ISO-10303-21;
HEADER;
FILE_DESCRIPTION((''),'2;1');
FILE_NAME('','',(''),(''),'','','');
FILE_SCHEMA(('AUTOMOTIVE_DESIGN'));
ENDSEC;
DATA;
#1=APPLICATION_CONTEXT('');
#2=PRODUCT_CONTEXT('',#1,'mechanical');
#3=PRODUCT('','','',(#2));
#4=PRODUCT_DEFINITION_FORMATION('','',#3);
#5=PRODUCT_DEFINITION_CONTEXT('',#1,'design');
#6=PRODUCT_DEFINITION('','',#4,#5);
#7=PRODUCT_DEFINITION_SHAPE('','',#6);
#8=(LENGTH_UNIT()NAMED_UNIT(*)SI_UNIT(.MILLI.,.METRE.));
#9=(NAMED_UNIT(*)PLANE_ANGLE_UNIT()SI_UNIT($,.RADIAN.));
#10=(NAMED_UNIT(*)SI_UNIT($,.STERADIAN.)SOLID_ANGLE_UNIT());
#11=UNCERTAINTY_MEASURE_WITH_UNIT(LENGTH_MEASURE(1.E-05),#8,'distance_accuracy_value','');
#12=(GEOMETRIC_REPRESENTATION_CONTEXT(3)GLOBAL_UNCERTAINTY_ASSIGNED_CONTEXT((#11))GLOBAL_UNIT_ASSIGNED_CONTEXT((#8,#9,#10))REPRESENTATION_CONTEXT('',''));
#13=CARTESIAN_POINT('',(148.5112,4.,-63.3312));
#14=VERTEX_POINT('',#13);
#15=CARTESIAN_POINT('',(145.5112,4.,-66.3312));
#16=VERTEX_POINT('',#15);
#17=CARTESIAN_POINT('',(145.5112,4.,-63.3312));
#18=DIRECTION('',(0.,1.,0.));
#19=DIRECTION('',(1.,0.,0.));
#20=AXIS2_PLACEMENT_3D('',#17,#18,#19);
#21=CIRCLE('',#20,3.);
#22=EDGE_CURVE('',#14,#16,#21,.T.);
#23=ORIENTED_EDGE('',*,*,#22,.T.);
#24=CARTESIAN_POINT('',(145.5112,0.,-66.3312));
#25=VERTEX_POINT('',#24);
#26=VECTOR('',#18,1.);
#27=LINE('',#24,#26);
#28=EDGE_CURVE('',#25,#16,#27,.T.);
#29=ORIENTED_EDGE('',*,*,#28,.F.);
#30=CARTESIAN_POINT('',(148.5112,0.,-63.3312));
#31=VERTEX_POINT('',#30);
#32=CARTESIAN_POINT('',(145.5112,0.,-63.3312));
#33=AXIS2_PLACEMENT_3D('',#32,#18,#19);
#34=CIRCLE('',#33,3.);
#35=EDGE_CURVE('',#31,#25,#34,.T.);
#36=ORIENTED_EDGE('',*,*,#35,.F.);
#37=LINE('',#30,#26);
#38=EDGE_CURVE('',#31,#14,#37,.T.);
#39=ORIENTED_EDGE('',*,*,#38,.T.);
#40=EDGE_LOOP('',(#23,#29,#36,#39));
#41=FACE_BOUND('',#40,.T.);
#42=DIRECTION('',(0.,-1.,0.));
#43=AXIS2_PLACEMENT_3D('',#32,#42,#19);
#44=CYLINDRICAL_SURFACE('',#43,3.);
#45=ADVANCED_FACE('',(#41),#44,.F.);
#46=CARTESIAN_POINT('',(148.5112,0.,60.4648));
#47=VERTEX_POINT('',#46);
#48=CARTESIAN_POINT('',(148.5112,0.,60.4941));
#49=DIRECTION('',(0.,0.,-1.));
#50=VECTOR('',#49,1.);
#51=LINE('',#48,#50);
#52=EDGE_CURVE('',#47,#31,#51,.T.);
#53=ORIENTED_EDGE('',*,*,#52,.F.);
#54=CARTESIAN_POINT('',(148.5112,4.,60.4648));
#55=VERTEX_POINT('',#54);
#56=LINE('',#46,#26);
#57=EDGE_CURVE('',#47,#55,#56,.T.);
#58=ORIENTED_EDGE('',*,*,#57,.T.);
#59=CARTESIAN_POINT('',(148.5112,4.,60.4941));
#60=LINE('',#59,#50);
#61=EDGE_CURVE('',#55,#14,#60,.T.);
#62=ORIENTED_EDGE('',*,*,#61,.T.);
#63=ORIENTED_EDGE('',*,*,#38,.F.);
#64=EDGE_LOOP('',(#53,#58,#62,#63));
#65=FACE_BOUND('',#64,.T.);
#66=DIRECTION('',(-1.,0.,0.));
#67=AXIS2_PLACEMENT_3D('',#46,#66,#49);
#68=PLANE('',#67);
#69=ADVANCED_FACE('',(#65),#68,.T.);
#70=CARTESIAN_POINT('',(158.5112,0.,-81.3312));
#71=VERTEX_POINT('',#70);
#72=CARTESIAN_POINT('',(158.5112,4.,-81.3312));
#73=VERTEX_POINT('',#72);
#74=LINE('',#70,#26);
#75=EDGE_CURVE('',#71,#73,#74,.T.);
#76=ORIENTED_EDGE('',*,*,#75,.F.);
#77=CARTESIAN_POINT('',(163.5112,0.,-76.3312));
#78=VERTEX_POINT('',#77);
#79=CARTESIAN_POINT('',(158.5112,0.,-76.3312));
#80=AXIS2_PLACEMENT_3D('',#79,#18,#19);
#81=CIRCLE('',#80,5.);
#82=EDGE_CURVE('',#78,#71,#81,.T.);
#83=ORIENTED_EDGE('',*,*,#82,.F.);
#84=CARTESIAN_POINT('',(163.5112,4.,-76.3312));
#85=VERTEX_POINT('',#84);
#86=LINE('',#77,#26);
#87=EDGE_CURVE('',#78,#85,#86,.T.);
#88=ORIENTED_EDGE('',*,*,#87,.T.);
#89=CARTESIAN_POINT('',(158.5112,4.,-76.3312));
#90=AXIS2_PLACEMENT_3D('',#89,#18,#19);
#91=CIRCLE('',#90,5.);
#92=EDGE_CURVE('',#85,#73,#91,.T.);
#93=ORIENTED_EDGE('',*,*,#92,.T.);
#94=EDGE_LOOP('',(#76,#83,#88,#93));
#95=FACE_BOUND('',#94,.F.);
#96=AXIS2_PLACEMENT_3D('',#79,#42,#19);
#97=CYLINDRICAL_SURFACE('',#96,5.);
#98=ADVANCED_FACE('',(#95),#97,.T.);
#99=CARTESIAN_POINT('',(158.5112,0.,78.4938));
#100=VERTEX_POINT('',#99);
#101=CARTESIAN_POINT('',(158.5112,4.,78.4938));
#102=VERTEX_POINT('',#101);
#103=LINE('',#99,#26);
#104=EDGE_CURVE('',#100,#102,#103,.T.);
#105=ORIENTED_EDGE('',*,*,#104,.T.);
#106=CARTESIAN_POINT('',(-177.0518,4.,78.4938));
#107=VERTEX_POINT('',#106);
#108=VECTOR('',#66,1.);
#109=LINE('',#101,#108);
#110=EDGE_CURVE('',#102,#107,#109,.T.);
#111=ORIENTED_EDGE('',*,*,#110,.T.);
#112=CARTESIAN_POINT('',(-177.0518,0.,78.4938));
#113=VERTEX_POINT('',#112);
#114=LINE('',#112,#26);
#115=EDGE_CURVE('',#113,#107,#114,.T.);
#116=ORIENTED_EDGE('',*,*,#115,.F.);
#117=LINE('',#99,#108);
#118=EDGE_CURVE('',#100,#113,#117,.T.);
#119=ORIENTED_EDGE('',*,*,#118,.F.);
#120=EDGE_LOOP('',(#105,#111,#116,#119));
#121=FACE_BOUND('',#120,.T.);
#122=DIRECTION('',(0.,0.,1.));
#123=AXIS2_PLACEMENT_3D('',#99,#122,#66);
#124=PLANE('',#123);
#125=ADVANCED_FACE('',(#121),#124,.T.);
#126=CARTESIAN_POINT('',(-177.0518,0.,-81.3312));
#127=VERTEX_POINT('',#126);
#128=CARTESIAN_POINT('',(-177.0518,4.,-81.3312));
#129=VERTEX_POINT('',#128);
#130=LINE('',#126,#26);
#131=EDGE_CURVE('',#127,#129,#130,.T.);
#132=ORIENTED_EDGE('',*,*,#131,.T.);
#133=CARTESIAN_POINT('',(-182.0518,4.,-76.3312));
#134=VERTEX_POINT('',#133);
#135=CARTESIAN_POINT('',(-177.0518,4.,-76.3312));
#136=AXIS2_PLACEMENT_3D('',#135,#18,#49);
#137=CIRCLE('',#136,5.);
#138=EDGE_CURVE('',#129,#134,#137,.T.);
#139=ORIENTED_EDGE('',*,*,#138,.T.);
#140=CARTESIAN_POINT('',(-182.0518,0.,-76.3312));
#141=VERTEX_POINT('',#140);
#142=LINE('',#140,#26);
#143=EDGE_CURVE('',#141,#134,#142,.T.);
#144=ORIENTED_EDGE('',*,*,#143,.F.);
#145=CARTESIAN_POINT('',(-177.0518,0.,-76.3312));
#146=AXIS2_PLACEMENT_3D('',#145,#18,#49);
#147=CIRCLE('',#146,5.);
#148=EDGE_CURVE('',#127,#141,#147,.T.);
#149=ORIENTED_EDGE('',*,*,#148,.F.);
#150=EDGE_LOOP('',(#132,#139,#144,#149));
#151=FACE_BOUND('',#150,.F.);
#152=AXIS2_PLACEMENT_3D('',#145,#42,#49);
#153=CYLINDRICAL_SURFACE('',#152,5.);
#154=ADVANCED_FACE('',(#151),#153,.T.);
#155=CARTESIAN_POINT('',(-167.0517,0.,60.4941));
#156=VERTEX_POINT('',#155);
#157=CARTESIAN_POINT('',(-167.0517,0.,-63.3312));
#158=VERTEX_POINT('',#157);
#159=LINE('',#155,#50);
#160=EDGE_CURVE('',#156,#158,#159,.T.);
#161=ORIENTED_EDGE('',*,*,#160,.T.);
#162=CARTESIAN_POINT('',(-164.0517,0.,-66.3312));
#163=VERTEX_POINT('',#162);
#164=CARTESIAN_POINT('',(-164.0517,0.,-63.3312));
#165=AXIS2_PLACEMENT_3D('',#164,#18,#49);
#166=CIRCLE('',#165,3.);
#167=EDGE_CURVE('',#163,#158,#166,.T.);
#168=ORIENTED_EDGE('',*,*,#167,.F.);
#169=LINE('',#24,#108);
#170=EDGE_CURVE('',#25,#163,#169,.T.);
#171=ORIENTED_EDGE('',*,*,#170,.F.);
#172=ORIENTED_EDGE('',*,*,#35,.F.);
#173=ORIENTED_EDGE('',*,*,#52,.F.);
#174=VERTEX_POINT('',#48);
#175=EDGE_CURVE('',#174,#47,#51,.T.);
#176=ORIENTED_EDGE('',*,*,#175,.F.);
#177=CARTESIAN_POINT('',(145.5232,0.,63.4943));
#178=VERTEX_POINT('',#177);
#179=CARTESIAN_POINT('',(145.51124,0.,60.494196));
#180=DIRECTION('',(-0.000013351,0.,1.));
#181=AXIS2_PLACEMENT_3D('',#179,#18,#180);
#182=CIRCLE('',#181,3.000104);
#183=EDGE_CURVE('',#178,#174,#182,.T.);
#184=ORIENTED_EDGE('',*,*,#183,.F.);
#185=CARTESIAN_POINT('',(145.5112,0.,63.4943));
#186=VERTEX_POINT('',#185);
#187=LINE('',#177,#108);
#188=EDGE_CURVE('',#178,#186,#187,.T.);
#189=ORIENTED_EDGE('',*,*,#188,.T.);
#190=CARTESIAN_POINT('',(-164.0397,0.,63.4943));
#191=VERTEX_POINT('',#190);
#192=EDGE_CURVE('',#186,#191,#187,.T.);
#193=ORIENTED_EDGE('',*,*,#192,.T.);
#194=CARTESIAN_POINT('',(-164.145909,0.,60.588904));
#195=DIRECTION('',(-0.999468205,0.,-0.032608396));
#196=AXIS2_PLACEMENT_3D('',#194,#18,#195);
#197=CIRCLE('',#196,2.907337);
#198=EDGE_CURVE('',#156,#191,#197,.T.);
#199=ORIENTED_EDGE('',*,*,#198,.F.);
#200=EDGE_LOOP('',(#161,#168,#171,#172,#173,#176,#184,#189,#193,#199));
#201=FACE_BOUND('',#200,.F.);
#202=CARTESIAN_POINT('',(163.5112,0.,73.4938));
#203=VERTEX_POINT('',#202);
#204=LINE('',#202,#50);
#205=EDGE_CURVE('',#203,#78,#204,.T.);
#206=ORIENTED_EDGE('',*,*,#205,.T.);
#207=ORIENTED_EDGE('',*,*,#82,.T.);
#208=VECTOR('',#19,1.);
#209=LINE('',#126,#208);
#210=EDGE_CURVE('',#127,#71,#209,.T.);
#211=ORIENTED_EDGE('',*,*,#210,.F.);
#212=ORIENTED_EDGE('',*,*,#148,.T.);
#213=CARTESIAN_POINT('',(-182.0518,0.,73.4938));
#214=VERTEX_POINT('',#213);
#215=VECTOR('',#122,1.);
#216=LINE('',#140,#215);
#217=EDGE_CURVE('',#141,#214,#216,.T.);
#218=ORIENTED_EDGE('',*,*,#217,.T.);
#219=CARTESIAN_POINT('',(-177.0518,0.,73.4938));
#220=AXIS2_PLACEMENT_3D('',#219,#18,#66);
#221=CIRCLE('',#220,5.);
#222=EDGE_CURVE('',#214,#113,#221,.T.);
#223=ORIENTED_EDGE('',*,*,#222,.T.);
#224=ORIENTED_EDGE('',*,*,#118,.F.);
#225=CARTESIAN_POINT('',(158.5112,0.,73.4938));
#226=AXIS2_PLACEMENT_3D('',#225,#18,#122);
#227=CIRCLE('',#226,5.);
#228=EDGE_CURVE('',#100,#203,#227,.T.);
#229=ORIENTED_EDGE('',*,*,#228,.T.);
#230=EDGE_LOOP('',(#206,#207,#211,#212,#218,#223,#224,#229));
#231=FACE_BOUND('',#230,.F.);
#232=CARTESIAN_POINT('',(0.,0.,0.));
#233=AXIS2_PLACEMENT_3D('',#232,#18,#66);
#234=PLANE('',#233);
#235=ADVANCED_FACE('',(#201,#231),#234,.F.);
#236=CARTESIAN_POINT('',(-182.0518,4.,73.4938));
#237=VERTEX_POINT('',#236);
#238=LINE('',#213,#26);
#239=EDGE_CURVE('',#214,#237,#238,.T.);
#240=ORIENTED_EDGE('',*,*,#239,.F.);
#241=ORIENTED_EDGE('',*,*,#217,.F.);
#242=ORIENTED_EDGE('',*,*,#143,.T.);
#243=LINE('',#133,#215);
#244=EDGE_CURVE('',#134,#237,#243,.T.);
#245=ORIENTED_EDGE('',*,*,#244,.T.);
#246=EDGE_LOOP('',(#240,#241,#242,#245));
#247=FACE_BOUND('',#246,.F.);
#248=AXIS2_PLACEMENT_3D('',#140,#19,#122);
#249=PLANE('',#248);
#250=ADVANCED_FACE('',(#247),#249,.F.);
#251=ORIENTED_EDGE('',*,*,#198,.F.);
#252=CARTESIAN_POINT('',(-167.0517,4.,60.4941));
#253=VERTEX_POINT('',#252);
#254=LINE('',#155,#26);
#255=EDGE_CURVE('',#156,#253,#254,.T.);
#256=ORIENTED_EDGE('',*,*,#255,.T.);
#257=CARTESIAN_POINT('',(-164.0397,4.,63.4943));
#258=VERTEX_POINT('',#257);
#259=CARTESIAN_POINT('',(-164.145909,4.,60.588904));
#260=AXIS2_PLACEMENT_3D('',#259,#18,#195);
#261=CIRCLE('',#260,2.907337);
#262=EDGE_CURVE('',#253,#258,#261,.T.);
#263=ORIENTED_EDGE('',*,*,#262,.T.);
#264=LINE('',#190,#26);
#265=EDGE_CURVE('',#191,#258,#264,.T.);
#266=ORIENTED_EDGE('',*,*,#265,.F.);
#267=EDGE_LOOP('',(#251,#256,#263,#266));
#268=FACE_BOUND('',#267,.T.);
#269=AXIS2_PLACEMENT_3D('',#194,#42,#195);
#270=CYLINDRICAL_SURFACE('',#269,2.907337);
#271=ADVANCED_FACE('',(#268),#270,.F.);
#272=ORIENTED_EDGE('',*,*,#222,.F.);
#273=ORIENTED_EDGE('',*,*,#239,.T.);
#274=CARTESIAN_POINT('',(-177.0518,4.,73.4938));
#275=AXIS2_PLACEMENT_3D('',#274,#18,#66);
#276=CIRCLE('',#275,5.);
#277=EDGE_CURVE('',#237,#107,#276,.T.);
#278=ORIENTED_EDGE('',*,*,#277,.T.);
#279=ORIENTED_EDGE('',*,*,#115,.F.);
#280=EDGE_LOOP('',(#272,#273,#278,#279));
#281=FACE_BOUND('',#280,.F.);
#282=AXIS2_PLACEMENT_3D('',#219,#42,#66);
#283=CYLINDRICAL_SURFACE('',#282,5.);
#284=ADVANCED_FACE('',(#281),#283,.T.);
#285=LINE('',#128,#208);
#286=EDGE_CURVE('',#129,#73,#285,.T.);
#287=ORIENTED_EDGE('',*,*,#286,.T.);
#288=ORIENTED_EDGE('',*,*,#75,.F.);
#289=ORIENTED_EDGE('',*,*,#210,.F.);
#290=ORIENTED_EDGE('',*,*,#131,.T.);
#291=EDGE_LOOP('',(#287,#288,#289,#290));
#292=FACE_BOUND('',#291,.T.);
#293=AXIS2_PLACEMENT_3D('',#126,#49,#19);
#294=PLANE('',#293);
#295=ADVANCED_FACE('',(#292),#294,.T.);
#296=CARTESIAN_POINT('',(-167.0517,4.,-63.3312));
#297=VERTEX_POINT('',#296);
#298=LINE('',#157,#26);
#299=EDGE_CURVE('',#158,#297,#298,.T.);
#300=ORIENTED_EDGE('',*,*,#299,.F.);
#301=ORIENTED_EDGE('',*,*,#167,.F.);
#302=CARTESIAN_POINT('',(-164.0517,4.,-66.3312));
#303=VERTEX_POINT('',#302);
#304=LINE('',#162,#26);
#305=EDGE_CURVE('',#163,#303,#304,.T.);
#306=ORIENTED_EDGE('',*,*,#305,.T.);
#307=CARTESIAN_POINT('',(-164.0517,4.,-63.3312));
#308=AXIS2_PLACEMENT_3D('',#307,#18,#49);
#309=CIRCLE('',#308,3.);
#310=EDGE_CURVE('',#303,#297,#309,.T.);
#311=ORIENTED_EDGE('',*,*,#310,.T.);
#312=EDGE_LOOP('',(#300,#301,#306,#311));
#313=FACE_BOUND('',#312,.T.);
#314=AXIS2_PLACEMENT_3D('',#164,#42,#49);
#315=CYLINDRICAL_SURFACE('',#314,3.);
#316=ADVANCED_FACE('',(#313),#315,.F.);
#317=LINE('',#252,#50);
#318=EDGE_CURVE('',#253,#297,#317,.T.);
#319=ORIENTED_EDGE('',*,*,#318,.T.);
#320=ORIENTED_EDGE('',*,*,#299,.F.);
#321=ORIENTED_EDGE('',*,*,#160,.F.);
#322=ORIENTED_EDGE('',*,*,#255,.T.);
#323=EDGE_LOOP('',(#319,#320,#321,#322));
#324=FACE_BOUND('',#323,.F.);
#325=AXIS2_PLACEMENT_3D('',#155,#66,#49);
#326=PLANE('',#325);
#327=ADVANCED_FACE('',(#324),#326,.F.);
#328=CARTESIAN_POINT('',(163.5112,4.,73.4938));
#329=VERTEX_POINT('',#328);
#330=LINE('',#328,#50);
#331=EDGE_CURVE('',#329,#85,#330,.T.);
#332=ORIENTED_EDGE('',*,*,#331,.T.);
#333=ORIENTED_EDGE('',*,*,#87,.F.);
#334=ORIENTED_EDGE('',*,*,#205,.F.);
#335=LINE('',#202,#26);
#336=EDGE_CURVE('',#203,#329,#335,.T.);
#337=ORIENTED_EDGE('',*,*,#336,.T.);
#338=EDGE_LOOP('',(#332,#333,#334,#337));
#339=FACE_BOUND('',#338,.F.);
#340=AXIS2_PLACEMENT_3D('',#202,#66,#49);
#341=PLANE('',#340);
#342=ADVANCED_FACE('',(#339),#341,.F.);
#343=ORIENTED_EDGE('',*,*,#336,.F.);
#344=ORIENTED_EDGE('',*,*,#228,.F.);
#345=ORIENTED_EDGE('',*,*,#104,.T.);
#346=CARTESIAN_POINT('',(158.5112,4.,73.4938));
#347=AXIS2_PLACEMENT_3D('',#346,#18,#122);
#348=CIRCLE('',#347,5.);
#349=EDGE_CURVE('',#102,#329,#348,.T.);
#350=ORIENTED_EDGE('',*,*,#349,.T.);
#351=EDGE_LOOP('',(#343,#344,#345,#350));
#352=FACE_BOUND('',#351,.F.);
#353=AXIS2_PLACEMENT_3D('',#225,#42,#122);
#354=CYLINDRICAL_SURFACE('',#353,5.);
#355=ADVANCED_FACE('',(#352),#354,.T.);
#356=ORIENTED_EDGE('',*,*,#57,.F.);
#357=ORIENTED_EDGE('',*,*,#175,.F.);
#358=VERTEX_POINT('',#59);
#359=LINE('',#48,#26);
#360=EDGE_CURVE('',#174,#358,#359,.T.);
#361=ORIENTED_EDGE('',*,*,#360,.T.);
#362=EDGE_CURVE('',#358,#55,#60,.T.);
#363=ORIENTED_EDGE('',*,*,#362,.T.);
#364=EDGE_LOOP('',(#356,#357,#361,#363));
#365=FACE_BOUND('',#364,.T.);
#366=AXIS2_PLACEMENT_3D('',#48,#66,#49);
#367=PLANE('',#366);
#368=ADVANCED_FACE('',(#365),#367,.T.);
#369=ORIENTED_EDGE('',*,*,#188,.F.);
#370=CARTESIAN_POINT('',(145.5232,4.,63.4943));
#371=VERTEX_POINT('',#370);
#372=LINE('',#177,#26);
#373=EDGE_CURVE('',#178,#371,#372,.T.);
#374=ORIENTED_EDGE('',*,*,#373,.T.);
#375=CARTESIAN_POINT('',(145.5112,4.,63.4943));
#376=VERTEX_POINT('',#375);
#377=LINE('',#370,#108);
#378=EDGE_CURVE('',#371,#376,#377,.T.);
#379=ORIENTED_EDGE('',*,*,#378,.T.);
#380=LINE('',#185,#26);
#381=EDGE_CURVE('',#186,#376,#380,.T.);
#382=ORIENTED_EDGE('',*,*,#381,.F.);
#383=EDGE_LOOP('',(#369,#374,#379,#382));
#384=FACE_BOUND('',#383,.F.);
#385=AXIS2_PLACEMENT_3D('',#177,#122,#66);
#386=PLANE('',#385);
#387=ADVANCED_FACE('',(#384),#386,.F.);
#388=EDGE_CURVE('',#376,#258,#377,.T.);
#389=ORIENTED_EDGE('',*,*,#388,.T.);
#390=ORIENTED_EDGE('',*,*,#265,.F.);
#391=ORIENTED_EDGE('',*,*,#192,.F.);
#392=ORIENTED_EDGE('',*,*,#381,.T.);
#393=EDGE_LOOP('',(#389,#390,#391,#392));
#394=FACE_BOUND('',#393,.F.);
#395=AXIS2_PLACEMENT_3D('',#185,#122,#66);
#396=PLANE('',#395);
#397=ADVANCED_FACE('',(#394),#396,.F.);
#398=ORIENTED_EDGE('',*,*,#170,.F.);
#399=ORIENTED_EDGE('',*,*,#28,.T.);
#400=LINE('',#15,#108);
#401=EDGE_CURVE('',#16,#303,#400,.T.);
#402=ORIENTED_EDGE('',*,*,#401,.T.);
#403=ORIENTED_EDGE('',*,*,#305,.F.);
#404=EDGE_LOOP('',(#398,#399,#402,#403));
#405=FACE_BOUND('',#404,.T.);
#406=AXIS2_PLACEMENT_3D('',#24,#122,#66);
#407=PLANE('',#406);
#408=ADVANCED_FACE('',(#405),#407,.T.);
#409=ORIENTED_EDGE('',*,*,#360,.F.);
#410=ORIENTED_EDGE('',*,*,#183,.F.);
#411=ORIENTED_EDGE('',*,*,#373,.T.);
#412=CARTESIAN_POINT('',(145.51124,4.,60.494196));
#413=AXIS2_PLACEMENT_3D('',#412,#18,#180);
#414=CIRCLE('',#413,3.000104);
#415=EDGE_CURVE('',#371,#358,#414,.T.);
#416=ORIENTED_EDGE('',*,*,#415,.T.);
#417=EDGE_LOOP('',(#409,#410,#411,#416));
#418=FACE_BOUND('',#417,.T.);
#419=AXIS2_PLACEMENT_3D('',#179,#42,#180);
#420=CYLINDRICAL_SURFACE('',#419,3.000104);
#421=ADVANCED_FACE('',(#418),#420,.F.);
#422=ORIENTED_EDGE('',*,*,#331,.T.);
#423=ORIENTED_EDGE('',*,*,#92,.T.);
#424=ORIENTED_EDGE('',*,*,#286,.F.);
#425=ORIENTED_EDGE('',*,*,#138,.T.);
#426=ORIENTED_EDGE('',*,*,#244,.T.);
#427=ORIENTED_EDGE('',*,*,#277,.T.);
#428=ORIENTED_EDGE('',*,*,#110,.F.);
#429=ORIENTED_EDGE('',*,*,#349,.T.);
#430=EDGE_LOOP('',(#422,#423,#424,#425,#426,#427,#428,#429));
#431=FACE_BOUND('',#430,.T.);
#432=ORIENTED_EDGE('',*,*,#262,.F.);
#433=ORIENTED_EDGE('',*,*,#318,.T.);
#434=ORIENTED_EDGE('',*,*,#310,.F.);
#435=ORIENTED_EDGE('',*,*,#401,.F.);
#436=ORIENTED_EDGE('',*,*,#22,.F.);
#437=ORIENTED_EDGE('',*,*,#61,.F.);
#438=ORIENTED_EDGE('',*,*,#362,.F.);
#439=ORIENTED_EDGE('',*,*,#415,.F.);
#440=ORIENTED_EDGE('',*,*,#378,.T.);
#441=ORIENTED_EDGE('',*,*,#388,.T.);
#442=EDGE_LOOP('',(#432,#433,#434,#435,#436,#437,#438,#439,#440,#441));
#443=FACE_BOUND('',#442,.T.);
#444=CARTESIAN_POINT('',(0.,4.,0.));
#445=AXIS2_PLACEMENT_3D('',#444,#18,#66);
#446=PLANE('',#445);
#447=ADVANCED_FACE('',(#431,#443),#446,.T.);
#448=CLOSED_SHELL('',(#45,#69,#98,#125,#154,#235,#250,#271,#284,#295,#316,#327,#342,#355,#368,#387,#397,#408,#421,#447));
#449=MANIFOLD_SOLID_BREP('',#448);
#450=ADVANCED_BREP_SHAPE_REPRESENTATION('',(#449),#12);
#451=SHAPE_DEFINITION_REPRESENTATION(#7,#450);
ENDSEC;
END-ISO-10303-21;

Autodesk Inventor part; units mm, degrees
ref_plane "YZ Plane" through (0, 0, 0) normal (1, 0, 0) x (0, 1, 0)
ref_plane "XZ Plane" through (0, 0, 0) normal (0, 1, 0) x (-1, 0, 0)
ref_plane "XY Plane" through (0, 0, 0) normal (0, 0, 1) x (1, 0, 0)
sketch "Sketch1" plane through (0, 0, 0) normal (0, 1, 0) x (-1, 0, 0)
  line L0 (-163.5112, 73.4938) -> (-163.5112, -76.3312)
  line L1 (-158.5112, 78.4938) -> (177.0518, 78.4938)
  arc A0 (-158.5112, 78.4938) -> (-163.5112, 73.4938) centre (-158.5112, 73.4938) ccw
  arc A1 (-163.5112, -76.3312) -> (-158.5112, -81.3312) centre (-158.5112, -76.3312) ccw
  line L2 (182.0518, -76.3312) -> (182.0518, 73.4938)
  line L3 (177.0518, -81.3312) -> (-158.5112, -81.3312)
  arc A2 (177.0518, -81.3312) -> (182.0518, -76.3312) centre (177.0518, -76.3312) ccw
  arc A3 (182.0518, 73.4938) -> (177.0518, 78.4938) centre (177.0518, 73.4938) ccw
  line L4 (-145.5232, 63.4943) -> (164.0397, 63.4943)
  line L5 (-148.5112, 60.4941) -> (-148.5112, -63.3312)
  line L6 (167.0517, 60.4941) -> (167.0517, -63.3312)
  line L7 (-145.5112, -66.3312) -> (164.0517, -66.3312)
  arc A4 (-145.5112, 63.4943) -> (-148.5112, 60.4648) centre (-145.5112, 60.4941) ccw
  arc A5 (167.0517, 60.4941) -> (164.0397, 63.4943) centre (164.1459, 60.5889) ccw
  arc A6 (164.0517, -66.3312) -> (167.0517, -63.3312) centre (164.0517, -63.3312) ccw
  arc A7 (-148.5112, -63.3312) -> (-145.5112, -66.3312) centre (-145.5112, -63.3312) ccw
  point P0 (0, 0)
extrude "Extrusion1" add sketch "Sketch1" along normal blind 4
properties part number "layer2"
